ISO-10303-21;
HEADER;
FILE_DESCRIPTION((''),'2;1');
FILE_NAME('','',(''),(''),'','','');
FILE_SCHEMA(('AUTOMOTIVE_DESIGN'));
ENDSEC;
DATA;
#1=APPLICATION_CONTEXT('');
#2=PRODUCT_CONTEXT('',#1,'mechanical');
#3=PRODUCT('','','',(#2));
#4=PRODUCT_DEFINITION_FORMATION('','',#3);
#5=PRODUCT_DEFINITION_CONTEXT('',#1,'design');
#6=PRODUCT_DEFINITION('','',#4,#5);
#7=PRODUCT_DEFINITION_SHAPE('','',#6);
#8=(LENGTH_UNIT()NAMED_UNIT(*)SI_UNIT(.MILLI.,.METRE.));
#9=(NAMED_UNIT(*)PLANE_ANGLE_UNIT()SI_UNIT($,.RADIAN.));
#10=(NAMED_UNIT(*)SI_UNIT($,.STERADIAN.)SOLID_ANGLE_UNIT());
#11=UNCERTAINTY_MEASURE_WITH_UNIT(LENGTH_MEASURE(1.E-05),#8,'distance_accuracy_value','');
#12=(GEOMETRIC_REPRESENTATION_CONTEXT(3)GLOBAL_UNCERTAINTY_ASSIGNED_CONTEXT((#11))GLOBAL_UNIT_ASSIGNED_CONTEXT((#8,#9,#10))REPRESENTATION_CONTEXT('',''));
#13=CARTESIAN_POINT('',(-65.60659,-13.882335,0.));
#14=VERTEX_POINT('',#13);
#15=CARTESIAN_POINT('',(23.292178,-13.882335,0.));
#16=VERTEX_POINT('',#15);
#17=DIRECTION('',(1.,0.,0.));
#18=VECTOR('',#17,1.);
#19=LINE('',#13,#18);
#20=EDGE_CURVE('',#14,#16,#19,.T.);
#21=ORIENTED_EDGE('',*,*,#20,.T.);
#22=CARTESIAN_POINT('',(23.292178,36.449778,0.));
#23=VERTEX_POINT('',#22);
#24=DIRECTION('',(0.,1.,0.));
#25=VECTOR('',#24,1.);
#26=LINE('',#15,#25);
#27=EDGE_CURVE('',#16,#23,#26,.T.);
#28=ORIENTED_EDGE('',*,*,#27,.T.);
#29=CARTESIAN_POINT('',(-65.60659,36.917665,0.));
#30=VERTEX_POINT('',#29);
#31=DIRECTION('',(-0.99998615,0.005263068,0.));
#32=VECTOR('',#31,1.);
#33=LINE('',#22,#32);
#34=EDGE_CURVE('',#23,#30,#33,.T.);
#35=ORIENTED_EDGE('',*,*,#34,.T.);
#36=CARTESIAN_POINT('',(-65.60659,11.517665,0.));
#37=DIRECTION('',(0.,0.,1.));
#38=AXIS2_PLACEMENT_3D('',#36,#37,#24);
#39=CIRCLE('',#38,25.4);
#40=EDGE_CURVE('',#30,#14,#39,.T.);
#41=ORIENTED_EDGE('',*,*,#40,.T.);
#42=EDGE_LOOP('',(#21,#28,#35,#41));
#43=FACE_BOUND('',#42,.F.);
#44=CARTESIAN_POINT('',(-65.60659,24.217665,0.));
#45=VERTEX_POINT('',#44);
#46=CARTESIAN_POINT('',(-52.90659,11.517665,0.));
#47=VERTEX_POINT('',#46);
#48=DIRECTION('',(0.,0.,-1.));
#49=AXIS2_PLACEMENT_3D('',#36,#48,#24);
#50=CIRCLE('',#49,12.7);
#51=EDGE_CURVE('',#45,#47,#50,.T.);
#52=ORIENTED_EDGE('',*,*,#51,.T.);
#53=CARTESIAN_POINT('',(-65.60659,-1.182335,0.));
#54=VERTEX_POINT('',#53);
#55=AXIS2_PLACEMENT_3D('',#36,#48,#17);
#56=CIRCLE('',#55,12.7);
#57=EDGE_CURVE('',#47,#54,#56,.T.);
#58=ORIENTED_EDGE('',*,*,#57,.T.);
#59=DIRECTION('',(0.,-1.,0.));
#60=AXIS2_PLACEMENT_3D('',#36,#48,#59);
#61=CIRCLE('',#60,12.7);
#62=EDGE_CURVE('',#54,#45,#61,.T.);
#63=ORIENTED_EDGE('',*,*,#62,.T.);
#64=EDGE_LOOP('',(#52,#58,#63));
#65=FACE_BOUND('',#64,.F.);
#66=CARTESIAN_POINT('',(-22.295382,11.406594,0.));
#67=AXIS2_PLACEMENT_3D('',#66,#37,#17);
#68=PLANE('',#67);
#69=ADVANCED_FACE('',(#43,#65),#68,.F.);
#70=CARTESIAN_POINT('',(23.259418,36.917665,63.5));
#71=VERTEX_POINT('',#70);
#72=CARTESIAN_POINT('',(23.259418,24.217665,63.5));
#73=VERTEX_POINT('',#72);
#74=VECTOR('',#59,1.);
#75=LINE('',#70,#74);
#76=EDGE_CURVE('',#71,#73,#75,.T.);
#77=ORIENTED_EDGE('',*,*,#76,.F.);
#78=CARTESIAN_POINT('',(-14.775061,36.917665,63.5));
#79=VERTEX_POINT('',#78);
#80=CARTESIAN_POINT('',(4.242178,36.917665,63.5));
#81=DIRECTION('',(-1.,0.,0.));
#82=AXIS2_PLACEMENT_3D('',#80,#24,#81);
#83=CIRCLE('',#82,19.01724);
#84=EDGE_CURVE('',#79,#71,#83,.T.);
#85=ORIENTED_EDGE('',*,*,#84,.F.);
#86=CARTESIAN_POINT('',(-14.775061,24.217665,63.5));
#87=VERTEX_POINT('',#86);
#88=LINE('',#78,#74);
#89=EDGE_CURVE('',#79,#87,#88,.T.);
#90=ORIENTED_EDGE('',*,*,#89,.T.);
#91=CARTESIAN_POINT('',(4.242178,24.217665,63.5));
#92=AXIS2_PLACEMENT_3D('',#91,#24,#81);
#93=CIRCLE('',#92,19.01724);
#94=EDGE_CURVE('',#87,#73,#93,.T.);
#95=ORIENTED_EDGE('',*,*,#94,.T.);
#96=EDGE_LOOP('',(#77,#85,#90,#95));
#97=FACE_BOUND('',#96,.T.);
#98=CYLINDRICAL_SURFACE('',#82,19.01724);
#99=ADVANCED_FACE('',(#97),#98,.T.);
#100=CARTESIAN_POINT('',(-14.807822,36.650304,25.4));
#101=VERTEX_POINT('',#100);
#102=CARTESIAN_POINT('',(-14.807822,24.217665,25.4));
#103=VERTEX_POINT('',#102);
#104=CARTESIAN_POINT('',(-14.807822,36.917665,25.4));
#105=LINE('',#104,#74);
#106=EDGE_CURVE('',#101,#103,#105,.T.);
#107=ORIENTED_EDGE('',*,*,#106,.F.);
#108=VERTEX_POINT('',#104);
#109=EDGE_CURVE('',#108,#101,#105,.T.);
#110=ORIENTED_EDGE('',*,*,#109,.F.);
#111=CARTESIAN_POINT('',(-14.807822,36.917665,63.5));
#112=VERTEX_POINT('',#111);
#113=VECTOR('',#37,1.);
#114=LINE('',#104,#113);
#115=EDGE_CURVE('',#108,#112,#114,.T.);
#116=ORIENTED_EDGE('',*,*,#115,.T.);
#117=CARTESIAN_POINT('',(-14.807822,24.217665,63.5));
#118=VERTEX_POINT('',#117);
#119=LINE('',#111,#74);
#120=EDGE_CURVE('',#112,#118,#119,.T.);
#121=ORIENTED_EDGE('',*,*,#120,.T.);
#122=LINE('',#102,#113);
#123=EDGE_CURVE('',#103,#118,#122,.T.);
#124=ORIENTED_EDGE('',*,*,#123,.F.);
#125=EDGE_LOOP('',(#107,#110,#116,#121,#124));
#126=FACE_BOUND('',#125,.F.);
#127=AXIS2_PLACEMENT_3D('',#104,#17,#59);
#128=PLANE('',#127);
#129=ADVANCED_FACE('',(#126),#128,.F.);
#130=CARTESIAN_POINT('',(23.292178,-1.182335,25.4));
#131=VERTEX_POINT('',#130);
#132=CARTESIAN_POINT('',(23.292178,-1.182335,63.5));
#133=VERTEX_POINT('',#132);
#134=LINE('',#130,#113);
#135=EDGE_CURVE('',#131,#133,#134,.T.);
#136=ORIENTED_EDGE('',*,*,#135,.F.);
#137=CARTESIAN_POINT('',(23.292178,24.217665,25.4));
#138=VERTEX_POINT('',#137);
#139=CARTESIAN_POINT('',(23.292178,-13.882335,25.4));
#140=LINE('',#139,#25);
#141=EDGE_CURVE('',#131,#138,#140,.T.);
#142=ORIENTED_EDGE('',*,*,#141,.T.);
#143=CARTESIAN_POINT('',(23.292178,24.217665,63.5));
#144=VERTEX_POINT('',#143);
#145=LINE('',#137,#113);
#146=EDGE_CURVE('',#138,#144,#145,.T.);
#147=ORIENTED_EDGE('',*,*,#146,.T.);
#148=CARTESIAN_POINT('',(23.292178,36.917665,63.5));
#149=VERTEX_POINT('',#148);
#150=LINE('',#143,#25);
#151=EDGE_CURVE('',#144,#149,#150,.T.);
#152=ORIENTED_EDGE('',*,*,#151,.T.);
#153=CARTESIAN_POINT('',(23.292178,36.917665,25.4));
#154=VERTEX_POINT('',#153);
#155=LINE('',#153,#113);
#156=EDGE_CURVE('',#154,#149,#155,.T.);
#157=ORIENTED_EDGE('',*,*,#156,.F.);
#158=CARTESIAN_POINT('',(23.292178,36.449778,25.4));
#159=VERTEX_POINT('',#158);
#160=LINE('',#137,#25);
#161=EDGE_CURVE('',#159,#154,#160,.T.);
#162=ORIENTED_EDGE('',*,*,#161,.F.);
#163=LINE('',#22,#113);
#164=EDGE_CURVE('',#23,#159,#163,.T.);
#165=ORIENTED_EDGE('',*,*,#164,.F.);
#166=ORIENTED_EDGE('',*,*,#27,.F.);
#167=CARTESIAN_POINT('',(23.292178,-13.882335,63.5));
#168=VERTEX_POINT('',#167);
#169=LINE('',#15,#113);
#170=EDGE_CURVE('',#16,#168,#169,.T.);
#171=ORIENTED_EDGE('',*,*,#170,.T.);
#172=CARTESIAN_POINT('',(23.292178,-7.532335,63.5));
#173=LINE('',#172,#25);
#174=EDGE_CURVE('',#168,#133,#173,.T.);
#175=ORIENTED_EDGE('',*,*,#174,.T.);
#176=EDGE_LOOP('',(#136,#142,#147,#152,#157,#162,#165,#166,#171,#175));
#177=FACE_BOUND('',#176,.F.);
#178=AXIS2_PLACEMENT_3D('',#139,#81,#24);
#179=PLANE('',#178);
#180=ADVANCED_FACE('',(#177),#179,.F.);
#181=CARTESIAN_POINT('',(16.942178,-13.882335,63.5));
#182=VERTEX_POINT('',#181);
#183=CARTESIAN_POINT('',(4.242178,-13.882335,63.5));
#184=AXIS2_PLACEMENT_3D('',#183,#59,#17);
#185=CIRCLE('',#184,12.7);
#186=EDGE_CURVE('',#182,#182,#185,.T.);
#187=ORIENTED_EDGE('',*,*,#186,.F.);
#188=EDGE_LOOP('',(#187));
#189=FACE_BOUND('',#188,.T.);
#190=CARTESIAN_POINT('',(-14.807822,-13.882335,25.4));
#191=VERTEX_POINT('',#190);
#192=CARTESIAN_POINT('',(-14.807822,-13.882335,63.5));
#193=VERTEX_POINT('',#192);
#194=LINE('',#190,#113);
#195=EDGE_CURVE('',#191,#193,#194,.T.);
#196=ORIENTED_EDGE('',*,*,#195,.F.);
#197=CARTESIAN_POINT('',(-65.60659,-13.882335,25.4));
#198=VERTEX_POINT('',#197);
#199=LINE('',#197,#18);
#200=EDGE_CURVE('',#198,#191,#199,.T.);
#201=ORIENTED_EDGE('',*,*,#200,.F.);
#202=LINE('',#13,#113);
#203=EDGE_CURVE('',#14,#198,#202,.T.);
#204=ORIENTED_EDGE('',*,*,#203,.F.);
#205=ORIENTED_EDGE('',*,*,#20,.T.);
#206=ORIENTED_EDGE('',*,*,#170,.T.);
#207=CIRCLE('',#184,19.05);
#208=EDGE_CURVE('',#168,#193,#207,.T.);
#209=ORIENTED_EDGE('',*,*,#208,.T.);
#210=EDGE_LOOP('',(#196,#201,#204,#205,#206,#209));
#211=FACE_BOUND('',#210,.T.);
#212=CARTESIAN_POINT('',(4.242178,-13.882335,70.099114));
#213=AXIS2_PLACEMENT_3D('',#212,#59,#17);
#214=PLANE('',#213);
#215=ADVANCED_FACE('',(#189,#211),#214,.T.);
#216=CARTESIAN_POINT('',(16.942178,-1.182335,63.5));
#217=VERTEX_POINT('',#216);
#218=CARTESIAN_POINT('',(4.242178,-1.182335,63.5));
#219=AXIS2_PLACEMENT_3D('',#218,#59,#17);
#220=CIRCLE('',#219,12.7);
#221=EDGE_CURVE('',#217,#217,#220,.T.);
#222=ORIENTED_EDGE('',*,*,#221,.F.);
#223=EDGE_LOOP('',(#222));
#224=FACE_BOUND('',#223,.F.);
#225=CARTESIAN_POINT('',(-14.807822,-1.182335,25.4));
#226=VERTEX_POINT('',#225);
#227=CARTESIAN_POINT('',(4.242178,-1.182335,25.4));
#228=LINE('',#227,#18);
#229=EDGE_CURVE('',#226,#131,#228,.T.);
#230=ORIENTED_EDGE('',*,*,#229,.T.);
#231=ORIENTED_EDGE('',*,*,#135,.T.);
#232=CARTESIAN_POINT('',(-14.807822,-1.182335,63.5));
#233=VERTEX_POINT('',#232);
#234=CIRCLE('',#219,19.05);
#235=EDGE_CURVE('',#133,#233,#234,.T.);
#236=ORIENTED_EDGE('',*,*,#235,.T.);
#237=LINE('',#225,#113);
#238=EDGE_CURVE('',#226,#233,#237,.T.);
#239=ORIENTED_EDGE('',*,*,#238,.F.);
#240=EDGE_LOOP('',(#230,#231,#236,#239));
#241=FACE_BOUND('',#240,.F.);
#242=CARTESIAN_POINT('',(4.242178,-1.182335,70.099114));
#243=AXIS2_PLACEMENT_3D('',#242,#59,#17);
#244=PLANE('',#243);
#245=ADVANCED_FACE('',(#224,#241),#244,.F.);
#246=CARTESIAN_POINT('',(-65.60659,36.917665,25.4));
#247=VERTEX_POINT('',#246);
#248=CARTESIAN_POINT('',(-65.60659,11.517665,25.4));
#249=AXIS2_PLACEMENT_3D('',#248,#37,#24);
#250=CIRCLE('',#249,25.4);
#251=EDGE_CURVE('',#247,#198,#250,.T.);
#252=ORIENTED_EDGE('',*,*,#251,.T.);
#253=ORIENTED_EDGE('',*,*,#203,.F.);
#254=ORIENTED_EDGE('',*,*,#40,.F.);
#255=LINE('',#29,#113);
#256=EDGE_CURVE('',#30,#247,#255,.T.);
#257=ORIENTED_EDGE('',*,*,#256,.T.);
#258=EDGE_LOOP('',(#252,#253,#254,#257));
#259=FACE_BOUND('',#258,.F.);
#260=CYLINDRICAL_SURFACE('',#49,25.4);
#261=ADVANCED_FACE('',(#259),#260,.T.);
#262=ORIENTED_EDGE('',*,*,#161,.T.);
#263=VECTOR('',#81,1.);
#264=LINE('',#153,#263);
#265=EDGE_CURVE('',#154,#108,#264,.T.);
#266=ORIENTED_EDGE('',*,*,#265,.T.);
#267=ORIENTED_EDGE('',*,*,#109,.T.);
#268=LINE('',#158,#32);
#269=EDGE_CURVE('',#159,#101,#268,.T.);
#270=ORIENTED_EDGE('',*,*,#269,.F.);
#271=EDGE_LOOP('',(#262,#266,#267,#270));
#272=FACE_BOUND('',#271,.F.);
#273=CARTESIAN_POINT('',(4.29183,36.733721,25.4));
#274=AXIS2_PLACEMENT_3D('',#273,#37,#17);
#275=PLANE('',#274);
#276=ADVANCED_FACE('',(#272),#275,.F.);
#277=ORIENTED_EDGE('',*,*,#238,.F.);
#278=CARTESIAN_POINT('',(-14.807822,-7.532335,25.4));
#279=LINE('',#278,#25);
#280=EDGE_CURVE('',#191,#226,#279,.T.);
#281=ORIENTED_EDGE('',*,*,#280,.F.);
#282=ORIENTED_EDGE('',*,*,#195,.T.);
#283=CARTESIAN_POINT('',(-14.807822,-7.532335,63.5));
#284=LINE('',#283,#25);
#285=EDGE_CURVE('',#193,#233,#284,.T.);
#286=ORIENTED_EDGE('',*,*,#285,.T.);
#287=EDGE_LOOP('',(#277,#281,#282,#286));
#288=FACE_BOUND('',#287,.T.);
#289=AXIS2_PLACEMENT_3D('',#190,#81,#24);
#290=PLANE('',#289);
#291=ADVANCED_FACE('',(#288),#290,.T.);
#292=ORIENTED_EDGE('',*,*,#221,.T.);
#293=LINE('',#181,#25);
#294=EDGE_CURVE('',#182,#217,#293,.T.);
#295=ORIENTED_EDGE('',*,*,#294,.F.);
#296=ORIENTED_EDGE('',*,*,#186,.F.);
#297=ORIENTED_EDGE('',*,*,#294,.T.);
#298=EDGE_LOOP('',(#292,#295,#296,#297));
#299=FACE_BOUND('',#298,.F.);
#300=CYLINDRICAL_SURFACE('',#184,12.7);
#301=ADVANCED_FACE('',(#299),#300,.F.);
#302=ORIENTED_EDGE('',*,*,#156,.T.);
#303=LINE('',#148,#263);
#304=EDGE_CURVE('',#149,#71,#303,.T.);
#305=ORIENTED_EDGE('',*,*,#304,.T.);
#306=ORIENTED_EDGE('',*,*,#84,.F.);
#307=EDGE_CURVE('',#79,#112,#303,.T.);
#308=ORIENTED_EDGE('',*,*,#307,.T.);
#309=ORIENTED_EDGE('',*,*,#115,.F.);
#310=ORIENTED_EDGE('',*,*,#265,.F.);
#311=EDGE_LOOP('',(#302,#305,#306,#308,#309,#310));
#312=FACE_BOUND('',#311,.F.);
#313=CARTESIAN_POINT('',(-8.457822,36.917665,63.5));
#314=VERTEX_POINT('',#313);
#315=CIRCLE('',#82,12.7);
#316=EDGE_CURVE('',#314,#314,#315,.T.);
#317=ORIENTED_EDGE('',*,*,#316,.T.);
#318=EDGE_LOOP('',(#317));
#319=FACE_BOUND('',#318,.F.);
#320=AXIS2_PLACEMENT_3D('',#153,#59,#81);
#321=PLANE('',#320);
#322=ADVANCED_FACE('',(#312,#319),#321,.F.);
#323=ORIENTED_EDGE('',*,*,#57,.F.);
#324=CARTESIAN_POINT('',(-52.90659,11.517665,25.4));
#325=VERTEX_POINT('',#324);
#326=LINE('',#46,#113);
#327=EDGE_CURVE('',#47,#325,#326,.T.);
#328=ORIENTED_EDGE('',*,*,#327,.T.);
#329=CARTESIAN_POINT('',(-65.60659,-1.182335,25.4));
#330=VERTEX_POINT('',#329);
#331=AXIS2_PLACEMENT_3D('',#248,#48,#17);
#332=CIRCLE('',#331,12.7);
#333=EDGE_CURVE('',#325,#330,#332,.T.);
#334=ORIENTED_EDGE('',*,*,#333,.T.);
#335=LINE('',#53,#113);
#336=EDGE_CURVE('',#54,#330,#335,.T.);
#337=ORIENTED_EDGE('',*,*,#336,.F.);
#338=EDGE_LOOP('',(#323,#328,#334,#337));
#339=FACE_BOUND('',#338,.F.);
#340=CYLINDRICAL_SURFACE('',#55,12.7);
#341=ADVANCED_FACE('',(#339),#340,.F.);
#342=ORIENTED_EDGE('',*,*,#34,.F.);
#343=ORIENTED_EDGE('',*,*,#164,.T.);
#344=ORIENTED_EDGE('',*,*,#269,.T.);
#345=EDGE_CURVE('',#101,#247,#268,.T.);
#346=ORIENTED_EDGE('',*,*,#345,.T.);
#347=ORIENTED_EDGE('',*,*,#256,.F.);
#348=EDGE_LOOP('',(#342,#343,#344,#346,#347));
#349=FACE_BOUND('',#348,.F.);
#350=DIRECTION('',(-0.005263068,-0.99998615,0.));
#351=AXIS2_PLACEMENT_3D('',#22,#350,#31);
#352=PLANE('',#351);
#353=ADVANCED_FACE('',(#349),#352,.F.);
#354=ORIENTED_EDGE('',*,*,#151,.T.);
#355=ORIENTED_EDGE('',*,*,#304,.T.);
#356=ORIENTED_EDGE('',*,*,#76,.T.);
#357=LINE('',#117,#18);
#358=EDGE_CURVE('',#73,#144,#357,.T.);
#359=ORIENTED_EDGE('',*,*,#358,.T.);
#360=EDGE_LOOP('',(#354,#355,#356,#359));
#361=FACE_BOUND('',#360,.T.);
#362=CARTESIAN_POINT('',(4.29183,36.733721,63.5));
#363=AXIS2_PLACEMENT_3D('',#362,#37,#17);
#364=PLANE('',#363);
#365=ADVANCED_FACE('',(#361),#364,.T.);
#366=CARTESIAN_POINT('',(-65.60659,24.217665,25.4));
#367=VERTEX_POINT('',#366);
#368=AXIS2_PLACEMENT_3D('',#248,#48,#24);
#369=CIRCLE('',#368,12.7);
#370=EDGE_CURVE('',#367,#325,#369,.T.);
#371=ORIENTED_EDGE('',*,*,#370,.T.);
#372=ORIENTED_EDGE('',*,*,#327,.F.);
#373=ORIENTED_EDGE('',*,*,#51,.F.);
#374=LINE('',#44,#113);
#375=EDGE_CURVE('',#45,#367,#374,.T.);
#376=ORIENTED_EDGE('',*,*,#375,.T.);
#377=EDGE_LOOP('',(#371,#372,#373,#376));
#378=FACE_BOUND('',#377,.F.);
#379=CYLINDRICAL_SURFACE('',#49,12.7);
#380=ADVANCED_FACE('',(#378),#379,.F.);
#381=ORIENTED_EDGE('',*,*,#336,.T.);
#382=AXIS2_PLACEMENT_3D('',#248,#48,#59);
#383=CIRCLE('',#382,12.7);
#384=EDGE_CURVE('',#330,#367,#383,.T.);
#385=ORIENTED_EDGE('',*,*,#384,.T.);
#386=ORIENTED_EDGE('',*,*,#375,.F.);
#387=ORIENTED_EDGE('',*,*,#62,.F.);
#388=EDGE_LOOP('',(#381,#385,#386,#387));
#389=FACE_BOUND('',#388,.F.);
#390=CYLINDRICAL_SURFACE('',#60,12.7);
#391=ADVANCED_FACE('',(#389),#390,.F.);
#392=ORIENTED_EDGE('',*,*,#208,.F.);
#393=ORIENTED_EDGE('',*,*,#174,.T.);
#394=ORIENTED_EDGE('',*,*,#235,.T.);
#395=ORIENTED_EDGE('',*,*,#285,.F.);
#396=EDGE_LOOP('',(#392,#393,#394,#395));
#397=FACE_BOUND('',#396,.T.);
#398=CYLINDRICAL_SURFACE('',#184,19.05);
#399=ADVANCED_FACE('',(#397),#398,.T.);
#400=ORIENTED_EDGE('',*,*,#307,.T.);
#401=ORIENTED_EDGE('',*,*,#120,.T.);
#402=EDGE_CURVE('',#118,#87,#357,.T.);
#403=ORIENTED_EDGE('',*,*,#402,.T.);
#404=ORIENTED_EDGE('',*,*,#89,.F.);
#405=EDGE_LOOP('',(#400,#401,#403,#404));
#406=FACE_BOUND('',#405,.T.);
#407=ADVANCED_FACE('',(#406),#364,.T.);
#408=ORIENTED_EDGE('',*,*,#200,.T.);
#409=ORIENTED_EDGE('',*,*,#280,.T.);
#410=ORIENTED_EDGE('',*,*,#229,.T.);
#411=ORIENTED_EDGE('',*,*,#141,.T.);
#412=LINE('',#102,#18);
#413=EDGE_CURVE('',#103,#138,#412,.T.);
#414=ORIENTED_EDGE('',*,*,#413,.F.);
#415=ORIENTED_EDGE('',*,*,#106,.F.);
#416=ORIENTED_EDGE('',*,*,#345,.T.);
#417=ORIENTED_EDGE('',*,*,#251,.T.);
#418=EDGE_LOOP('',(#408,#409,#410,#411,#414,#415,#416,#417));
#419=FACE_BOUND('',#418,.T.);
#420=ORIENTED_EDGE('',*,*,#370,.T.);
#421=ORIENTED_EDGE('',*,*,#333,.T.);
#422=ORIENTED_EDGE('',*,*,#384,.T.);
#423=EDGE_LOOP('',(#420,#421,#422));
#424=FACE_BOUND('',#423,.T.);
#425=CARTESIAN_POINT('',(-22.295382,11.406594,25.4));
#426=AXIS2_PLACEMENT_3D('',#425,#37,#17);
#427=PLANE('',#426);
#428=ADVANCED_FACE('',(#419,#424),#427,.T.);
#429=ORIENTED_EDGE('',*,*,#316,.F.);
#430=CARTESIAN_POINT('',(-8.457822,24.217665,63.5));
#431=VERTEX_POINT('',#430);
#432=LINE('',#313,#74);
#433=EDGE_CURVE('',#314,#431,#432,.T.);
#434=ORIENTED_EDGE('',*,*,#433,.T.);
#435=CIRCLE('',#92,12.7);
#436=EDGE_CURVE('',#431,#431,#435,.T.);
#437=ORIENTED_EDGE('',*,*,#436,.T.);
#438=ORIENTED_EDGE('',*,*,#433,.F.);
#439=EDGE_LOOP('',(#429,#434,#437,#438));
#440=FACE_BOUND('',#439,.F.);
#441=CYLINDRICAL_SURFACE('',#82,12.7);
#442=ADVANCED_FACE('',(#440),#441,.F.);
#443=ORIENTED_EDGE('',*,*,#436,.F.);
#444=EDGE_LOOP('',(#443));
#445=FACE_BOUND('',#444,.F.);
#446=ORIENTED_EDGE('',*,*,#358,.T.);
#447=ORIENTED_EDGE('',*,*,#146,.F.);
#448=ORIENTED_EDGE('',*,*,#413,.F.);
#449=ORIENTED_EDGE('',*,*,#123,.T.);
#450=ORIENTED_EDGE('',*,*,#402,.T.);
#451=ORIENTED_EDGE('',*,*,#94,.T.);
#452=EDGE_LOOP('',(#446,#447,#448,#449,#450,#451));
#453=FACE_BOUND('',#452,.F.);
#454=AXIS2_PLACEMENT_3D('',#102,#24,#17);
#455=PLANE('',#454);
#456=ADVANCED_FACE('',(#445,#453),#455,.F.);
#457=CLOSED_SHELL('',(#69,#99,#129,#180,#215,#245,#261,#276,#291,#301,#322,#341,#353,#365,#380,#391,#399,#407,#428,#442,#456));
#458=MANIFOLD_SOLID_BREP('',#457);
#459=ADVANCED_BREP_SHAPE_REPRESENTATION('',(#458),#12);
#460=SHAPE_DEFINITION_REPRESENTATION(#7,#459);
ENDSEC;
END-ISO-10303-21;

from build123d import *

# Parameters (mm, degrees)
F1_DEPTH  = 25.4
F3_DEPTH  = 38.1
F2_W      = 38.1
F2_H      = 12.7
F4_DEPTH  = 38.1
F6_DEPTH  = 12.7
F7_R      = 12.7
F8_DEPTH  = 38.1
F10_DEPTH = 12.7
F12_DEPTH = 38.1


with BuildPart() as f1:
    # F0 (on Top) → F1 (new body)
    with BuildSketch(Plane.XY):
        with BuildLine():
            Line((23.2921783298, 36.4497782979), (-65.6065904021, 36.9176649997))
            Line((-65.6065904021, 36.9176649997), (-65.6065904021, 24.2176649997))
            ThreePointArc((-65.6065904021, 24.2176649997), (-56.626334281, 20.4979211207), (-52.9065904021, 11.5176649997))
            ThreePointArc((-52.9065904021, 11.5176649997), (-56.626334281, 2.5374088786), (-65.6065904021, -1.1823350003))
            Line((-65.6065904021, -1.1823350003), (-65.6065904021, -13.8823350003))
            Line((-65.6065904021, -13.8823350003), (23.2921783298, -13.8823350003))
            Line((23.2921783298, -13.8823350003), (23.2921783298, 36.4497782979))
        make_face()
        with BuildLine():
            Line((-65.6065904021, 24.2176649997), (-65.6065904021, 36.9176649997))
            ThreePointArc((-65.6065904021, 36.9176649997), (-91.0065904021, 11.5176649997), (-65.6065904021, -13.8823350003))
            Line((-65.6065904021, -13.8823350003), (-65.6065904021, -1.1823350003))
            ThreePointArc((-65.6065904021, -1.1823350003), (-78.3065904021, 11.5176649997), (-65.6065904021, 24.2176649997))
        make_face()
    extrude(amount=F1_DEPTH)

    # F2 (on face) → F3 (join)
    with BuildSketch(Plane.XY.offset(25.4)):
        Polygon((-14.8078216702, 36.9176649997), (-14.8078216702, 36.6503039473), (23.2921783298, 36.4497782979), (23.2921783298, 36.9176649997), align=None)
        Polygon((-14.8078216702, 24.2176649997), (23.2921783298, 24.2176649997), (23.2921783298, 36.4497782979), (-14.8078216702, 36.6503039473), align=None)
    extrude(amount=F3_DEPTH)

    # F2 (on face) → F4 (join)
    with BuildSketch(Plane.XY.offset(25.4)):
        with Locations((4.2421783298, -7.5323350003)):
            Rectangle(F2_W, F2_H)
    extrude(amount=F4_DEPTH)

    # F5 (on face) → F6 (join)
    with BuildSketch(Plane(origin=(0, 36.9176649997, 0), x_dir=(-1, 0, 0), z_dir=(0, 1, 0))):
        with BuildLine():
            Line((-23.2594181519, 63.5), (14.7750614924, 63.5))
            ThreePointArc((14.7750614924, 63.5), (-4.2421783298, 82.5172398221), (-23.2594181519, 63.5))
        make_face()
    extrude(amount=-F6_DEPTH)

    # F7 (on face) → F8 (cut)
    with BuildSketch(Plane(origin=(0, 36.9176649997, 0), x_dir=(-1, 0, 0), z_dir=(0, 1, 0))):
        with Locations((-4.2421783298, 63.5)):
            Circle(F7_R)
    extrude(amount=-F8_DEPTH, mode=Mode.SUBTRACT)

    # F9 (on face) → F10 (join)
    with BuildSketch(Plane.XZ.offset(13.8823350003)):
        with BuildLine():
            Line((-14.8078216702, 63.5), (23.2921783298, 63.5))
            ThreePointArc((23.2921783298, 63.5), (4.2421783298, 82.55), (-14.8078216702, 63.5))
        make_face()
    extrude(amount=-F10_DEPTH)

    # F11 (on face) → F12 (cut)
    with BuildSketch(Plane.XZ.offset(13.8823350003)):
        with BuildLine():
            ThreePointArc((-8.4578216702, 63.5), (4.2421783298, 50.8), (16.9421783298, 63.5))
            Line((16.9421783298, 63.5), (-8.4578216702, 63.5))
        make_face()
        with BuildLine():
            Line((-8.4578216702, 63.5), (16.9421783298, 63.5))
            ThreePointArc((16.9421783298, 63.5), (4.2421783298, 76.2), (-8.4578216702, 63.5))
        make_face()
    extrude(amount=-F12_DEPTH, mode=Mode.SUBTRACT)


solid = f1.part
